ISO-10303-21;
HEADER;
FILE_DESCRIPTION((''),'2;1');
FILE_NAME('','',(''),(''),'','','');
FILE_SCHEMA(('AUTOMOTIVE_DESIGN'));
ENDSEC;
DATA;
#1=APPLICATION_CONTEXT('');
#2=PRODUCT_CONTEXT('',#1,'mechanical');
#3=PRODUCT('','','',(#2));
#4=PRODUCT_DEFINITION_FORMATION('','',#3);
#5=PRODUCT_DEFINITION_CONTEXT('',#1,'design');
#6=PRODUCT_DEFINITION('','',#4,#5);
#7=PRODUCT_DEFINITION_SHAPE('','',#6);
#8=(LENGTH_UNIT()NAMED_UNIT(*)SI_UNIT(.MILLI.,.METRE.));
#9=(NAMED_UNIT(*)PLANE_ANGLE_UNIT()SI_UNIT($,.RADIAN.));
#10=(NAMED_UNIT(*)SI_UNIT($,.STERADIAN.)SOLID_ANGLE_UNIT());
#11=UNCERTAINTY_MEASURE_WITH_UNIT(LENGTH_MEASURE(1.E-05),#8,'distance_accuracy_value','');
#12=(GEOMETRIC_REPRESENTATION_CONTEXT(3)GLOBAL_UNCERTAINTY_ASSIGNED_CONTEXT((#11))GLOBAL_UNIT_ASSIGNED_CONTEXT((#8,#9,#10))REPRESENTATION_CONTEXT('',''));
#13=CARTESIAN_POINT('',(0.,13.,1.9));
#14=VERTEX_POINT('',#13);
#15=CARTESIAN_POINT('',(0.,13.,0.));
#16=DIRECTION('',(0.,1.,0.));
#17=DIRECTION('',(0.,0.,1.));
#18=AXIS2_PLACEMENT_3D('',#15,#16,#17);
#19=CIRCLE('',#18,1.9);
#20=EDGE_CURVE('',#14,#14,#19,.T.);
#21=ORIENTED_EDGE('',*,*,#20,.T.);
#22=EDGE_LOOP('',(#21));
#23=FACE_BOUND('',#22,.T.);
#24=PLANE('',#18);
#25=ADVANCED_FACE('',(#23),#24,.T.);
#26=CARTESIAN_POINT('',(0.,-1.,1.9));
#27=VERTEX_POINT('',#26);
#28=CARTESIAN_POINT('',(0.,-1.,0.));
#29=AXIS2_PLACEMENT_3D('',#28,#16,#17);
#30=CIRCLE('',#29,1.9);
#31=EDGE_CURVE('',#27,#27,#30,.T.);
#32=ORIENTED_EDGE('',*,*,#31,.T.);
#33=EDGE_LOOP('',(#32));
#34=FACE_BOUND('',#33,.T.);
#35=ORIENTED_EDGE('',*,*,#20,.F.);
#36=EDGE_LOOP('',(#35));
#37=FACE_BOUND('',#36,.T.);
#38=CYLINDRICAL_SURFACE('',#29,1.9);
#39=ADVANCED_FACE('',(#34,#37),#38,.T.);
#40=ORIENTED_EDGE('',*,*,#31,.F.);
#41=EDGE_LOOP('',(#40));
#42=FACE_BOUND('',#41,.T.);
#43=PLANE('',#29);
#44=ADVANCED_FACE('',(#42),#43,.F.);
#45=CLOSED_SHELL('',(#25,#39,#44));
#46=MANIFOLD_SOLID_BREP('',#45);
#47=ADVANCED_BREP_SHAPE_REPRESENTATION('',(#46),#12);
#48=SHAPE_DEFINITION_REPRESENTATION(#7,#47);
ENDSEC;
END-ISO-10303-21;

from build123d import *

# Parameters (mm, degrees)
SKETCH_1_R      = 1.85
EXTRUDE_1_DEPTH = 13
SKETCH_2_R      = 1.9
EXTRUDE_2_DEPTH = 14


with BuildPart() as part:
    # 草图1 → 凸台-拉伸1 (new body)
    with BuildSketch(Plane(origin=(0, 0, 0), x_dir=(1, 0, 0), z_dir=(0, 1, 0))):
        with Locations(Location((0, 0, 0), (0, 0, 90))):
            Circle(SKETCH_1_R)
    extrude(amount=EXTRUDE_1_DEPTH)

    # 草图2 → 凸台-拉伸2 (add)
    with BuildSketch(Plane(origin=(0, 13, 0), x_dir=(1, 0, 0), z_dir=(0, 1, 0))):
        with Locations(Location((0, 0, 0), (0, 0, 270))):
            Circle(SKETCH_2_R)
    extrude(amount=-EXTRUDE_2_DEPTH)


solid = part.part
